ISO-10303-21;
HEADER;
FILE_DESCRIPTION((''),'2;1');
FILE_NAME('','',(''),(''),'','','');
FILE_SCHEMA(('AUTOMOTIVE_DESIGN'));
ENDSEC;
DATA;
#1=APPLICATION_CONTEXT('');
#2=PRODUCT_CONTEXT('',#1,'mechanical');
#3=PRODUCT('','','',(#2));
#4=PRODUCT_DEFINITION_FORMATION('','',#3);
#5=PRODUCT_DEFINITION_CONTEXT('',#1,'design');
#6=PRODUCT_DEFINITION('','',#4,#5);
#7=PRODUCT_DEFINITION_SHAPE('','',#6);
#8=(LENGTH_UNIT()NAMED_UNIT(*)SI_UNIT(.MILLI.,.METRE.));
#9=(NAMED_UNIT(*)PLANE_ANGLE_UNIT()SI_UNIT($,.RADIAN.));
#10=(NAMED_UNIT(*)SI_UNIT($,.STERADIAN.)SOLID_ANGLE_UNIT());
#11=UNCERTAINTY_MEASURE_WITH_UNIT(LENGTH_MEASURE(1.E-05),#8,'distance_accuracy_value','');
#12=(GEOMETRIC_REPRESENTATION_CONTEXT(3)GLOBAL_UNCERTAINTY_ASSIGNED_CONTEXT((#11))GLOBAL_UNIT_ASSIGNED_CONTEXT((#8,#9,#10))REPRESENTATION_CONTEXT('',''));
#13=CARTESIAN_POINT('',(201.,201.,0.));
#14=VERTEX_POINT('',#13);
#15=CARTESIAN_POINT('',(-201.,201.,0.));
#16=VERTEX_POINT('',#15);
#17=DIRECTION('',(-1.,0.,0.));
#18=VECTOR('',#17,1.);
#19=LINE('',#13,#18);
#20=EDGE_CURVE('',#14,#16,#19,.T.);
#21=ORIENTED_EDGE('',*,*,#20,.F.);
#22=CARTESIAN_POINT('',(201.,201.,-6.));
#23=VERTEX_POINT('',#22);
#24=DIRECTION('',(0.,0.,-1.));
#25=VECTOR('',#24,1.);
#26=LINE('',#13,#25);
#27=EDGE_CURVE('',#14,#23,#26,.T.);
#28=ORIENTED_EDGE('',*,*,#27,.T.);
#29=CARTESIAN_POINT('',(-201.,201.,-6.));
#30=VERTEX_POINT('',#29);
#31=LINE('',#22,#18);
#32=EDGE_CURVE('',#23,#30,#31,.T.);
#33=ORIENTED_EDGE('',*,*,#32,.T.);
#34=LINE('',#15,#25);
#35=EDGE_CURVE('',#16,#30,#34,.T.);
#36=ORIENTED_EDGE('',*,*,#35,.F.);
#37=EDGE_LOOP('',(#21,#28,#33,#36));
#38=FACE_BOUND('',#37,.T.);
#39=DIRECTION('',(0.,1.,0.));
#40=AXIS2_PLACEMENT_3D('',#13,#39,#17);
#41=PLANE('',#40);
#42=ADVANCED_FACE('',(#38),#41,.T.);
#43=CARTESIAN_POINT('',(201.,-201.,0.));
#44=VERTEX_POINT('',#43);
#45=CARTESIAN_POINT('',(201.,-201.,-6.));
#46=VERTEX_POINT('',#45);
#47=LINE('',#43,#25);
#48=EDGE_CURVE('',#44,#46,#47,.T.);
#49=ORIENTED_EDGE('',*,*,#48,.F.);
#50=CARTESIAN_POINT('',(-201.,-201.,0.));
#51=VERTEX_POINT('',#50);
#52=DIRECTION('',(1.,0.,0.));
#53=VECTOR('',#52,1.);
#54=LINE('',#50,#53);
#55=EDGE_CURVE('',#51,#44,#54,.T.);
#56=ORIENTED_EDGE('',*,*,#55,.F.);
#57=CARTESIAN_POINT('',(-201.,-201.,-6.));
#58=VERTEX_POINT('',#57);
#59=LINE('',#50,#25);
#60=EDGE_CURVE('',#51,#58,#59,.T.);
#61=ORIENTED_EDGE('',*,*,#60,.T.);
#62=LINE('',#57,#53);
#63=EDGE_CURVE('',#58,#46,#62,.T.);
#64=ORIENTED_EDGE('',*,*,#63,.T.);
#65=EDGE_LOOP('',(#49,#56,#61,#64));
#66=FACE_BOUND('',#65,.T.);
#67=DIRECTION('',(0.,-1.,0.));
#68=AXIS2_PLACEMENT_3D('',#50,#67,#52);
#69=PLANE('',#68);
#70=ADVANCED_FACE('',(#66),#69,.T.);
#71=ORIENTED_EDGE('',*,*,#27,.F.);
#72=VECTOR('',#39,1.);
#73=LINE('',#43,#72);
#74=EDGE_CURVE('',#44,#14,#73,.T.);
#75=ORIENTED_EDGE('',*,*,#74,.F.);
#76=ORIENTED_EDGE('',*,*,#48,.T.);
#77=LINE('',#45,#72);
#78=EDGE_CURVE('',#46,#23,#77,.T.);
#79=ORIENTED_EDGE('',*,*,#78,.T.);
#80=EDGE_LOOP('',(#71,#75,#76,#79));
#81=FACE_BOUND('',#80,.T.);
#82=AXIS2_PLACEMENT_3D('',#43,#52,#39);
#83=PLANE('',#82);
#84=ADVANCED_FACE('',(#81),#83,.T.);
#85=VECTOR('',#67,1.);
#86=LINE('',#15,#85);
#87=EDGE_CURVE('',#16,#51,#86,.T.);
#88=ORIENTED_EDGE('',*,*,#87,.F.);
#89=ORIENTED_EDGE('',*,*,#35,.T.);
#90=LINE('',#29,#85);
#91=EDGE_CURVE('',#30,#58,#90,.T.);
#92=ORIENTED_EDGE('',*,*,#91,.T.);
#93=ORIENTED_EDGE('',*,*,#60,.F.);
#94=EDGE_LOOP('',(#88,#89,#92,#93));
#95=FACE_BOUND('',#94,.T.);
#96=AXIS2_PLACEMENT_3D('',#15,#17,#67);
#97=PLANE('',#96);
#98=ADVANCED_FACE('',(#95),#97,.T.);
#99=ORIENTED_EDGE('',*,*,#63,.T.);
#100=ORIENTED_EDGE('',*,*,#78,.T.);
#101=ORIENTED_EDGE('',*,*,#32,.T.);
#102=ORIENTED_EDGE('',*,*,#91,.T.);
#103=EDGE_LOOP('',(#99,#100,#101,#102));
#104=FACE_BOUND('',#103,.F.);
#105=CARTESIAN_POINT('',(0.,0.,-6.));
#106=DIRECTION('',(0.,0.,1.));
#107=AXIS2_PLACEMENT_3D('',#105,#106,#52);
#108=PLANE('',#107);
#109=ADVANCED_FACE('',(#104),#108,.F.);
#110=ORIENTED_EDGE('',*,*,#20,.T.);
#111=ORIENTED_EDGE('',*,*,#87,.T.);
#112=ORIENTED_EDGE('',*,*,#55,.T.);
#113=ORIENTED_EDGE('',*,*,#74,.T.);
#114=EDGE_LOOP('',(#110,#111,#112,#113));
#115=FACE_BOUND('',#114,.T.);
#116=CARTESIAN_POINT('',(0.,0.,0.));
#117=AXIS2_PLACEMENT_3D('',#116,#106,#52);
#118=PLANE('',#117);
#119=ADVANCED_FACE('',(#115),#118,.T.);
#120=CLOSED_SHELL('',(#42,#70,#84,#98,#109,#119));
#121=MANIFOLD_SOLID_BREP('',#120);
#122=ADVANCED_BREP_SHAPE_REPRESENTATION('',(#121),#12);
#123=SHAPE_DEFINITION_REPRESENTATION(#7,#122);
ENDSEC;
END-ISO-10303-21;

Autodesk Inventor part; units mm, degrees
ref_plane "YZ Plane" through (0, 0, 0) normal (1, 0, 0) x (0, 1, 0)
ref_plane "XZ Plane" through (0, 0, 0) normal (0, 1, 0) x (-1, 0, 0)
ref_plane "XY Plane" through (0, 0, 0) normal (0, 0, 1) x (1, 0, 0)
sketch "Skizze1" plane through (0, 0, 0) normal (0, 0, 1) x (1, 0, 0)
  line L0 (-201, -201) -> (201, -201)
  line L1 (201, -201) -> (201, 201)
  line L2 (201, 201) -> (-201, 201)
  line L3 (-201, 201) -> (-201, -201)
  line L4 (-201, -201) -> (201, 201) construction
  line L5 (201, -201) -> (-201, 201) construction
  point P0 (0, 0)
  dimension "d0" = 402
  dimension "d1" = 402
extrude "Extrusion1" add sketch "Skizze1" against normal blind 6
properties part number "Boden" material "Esche"
